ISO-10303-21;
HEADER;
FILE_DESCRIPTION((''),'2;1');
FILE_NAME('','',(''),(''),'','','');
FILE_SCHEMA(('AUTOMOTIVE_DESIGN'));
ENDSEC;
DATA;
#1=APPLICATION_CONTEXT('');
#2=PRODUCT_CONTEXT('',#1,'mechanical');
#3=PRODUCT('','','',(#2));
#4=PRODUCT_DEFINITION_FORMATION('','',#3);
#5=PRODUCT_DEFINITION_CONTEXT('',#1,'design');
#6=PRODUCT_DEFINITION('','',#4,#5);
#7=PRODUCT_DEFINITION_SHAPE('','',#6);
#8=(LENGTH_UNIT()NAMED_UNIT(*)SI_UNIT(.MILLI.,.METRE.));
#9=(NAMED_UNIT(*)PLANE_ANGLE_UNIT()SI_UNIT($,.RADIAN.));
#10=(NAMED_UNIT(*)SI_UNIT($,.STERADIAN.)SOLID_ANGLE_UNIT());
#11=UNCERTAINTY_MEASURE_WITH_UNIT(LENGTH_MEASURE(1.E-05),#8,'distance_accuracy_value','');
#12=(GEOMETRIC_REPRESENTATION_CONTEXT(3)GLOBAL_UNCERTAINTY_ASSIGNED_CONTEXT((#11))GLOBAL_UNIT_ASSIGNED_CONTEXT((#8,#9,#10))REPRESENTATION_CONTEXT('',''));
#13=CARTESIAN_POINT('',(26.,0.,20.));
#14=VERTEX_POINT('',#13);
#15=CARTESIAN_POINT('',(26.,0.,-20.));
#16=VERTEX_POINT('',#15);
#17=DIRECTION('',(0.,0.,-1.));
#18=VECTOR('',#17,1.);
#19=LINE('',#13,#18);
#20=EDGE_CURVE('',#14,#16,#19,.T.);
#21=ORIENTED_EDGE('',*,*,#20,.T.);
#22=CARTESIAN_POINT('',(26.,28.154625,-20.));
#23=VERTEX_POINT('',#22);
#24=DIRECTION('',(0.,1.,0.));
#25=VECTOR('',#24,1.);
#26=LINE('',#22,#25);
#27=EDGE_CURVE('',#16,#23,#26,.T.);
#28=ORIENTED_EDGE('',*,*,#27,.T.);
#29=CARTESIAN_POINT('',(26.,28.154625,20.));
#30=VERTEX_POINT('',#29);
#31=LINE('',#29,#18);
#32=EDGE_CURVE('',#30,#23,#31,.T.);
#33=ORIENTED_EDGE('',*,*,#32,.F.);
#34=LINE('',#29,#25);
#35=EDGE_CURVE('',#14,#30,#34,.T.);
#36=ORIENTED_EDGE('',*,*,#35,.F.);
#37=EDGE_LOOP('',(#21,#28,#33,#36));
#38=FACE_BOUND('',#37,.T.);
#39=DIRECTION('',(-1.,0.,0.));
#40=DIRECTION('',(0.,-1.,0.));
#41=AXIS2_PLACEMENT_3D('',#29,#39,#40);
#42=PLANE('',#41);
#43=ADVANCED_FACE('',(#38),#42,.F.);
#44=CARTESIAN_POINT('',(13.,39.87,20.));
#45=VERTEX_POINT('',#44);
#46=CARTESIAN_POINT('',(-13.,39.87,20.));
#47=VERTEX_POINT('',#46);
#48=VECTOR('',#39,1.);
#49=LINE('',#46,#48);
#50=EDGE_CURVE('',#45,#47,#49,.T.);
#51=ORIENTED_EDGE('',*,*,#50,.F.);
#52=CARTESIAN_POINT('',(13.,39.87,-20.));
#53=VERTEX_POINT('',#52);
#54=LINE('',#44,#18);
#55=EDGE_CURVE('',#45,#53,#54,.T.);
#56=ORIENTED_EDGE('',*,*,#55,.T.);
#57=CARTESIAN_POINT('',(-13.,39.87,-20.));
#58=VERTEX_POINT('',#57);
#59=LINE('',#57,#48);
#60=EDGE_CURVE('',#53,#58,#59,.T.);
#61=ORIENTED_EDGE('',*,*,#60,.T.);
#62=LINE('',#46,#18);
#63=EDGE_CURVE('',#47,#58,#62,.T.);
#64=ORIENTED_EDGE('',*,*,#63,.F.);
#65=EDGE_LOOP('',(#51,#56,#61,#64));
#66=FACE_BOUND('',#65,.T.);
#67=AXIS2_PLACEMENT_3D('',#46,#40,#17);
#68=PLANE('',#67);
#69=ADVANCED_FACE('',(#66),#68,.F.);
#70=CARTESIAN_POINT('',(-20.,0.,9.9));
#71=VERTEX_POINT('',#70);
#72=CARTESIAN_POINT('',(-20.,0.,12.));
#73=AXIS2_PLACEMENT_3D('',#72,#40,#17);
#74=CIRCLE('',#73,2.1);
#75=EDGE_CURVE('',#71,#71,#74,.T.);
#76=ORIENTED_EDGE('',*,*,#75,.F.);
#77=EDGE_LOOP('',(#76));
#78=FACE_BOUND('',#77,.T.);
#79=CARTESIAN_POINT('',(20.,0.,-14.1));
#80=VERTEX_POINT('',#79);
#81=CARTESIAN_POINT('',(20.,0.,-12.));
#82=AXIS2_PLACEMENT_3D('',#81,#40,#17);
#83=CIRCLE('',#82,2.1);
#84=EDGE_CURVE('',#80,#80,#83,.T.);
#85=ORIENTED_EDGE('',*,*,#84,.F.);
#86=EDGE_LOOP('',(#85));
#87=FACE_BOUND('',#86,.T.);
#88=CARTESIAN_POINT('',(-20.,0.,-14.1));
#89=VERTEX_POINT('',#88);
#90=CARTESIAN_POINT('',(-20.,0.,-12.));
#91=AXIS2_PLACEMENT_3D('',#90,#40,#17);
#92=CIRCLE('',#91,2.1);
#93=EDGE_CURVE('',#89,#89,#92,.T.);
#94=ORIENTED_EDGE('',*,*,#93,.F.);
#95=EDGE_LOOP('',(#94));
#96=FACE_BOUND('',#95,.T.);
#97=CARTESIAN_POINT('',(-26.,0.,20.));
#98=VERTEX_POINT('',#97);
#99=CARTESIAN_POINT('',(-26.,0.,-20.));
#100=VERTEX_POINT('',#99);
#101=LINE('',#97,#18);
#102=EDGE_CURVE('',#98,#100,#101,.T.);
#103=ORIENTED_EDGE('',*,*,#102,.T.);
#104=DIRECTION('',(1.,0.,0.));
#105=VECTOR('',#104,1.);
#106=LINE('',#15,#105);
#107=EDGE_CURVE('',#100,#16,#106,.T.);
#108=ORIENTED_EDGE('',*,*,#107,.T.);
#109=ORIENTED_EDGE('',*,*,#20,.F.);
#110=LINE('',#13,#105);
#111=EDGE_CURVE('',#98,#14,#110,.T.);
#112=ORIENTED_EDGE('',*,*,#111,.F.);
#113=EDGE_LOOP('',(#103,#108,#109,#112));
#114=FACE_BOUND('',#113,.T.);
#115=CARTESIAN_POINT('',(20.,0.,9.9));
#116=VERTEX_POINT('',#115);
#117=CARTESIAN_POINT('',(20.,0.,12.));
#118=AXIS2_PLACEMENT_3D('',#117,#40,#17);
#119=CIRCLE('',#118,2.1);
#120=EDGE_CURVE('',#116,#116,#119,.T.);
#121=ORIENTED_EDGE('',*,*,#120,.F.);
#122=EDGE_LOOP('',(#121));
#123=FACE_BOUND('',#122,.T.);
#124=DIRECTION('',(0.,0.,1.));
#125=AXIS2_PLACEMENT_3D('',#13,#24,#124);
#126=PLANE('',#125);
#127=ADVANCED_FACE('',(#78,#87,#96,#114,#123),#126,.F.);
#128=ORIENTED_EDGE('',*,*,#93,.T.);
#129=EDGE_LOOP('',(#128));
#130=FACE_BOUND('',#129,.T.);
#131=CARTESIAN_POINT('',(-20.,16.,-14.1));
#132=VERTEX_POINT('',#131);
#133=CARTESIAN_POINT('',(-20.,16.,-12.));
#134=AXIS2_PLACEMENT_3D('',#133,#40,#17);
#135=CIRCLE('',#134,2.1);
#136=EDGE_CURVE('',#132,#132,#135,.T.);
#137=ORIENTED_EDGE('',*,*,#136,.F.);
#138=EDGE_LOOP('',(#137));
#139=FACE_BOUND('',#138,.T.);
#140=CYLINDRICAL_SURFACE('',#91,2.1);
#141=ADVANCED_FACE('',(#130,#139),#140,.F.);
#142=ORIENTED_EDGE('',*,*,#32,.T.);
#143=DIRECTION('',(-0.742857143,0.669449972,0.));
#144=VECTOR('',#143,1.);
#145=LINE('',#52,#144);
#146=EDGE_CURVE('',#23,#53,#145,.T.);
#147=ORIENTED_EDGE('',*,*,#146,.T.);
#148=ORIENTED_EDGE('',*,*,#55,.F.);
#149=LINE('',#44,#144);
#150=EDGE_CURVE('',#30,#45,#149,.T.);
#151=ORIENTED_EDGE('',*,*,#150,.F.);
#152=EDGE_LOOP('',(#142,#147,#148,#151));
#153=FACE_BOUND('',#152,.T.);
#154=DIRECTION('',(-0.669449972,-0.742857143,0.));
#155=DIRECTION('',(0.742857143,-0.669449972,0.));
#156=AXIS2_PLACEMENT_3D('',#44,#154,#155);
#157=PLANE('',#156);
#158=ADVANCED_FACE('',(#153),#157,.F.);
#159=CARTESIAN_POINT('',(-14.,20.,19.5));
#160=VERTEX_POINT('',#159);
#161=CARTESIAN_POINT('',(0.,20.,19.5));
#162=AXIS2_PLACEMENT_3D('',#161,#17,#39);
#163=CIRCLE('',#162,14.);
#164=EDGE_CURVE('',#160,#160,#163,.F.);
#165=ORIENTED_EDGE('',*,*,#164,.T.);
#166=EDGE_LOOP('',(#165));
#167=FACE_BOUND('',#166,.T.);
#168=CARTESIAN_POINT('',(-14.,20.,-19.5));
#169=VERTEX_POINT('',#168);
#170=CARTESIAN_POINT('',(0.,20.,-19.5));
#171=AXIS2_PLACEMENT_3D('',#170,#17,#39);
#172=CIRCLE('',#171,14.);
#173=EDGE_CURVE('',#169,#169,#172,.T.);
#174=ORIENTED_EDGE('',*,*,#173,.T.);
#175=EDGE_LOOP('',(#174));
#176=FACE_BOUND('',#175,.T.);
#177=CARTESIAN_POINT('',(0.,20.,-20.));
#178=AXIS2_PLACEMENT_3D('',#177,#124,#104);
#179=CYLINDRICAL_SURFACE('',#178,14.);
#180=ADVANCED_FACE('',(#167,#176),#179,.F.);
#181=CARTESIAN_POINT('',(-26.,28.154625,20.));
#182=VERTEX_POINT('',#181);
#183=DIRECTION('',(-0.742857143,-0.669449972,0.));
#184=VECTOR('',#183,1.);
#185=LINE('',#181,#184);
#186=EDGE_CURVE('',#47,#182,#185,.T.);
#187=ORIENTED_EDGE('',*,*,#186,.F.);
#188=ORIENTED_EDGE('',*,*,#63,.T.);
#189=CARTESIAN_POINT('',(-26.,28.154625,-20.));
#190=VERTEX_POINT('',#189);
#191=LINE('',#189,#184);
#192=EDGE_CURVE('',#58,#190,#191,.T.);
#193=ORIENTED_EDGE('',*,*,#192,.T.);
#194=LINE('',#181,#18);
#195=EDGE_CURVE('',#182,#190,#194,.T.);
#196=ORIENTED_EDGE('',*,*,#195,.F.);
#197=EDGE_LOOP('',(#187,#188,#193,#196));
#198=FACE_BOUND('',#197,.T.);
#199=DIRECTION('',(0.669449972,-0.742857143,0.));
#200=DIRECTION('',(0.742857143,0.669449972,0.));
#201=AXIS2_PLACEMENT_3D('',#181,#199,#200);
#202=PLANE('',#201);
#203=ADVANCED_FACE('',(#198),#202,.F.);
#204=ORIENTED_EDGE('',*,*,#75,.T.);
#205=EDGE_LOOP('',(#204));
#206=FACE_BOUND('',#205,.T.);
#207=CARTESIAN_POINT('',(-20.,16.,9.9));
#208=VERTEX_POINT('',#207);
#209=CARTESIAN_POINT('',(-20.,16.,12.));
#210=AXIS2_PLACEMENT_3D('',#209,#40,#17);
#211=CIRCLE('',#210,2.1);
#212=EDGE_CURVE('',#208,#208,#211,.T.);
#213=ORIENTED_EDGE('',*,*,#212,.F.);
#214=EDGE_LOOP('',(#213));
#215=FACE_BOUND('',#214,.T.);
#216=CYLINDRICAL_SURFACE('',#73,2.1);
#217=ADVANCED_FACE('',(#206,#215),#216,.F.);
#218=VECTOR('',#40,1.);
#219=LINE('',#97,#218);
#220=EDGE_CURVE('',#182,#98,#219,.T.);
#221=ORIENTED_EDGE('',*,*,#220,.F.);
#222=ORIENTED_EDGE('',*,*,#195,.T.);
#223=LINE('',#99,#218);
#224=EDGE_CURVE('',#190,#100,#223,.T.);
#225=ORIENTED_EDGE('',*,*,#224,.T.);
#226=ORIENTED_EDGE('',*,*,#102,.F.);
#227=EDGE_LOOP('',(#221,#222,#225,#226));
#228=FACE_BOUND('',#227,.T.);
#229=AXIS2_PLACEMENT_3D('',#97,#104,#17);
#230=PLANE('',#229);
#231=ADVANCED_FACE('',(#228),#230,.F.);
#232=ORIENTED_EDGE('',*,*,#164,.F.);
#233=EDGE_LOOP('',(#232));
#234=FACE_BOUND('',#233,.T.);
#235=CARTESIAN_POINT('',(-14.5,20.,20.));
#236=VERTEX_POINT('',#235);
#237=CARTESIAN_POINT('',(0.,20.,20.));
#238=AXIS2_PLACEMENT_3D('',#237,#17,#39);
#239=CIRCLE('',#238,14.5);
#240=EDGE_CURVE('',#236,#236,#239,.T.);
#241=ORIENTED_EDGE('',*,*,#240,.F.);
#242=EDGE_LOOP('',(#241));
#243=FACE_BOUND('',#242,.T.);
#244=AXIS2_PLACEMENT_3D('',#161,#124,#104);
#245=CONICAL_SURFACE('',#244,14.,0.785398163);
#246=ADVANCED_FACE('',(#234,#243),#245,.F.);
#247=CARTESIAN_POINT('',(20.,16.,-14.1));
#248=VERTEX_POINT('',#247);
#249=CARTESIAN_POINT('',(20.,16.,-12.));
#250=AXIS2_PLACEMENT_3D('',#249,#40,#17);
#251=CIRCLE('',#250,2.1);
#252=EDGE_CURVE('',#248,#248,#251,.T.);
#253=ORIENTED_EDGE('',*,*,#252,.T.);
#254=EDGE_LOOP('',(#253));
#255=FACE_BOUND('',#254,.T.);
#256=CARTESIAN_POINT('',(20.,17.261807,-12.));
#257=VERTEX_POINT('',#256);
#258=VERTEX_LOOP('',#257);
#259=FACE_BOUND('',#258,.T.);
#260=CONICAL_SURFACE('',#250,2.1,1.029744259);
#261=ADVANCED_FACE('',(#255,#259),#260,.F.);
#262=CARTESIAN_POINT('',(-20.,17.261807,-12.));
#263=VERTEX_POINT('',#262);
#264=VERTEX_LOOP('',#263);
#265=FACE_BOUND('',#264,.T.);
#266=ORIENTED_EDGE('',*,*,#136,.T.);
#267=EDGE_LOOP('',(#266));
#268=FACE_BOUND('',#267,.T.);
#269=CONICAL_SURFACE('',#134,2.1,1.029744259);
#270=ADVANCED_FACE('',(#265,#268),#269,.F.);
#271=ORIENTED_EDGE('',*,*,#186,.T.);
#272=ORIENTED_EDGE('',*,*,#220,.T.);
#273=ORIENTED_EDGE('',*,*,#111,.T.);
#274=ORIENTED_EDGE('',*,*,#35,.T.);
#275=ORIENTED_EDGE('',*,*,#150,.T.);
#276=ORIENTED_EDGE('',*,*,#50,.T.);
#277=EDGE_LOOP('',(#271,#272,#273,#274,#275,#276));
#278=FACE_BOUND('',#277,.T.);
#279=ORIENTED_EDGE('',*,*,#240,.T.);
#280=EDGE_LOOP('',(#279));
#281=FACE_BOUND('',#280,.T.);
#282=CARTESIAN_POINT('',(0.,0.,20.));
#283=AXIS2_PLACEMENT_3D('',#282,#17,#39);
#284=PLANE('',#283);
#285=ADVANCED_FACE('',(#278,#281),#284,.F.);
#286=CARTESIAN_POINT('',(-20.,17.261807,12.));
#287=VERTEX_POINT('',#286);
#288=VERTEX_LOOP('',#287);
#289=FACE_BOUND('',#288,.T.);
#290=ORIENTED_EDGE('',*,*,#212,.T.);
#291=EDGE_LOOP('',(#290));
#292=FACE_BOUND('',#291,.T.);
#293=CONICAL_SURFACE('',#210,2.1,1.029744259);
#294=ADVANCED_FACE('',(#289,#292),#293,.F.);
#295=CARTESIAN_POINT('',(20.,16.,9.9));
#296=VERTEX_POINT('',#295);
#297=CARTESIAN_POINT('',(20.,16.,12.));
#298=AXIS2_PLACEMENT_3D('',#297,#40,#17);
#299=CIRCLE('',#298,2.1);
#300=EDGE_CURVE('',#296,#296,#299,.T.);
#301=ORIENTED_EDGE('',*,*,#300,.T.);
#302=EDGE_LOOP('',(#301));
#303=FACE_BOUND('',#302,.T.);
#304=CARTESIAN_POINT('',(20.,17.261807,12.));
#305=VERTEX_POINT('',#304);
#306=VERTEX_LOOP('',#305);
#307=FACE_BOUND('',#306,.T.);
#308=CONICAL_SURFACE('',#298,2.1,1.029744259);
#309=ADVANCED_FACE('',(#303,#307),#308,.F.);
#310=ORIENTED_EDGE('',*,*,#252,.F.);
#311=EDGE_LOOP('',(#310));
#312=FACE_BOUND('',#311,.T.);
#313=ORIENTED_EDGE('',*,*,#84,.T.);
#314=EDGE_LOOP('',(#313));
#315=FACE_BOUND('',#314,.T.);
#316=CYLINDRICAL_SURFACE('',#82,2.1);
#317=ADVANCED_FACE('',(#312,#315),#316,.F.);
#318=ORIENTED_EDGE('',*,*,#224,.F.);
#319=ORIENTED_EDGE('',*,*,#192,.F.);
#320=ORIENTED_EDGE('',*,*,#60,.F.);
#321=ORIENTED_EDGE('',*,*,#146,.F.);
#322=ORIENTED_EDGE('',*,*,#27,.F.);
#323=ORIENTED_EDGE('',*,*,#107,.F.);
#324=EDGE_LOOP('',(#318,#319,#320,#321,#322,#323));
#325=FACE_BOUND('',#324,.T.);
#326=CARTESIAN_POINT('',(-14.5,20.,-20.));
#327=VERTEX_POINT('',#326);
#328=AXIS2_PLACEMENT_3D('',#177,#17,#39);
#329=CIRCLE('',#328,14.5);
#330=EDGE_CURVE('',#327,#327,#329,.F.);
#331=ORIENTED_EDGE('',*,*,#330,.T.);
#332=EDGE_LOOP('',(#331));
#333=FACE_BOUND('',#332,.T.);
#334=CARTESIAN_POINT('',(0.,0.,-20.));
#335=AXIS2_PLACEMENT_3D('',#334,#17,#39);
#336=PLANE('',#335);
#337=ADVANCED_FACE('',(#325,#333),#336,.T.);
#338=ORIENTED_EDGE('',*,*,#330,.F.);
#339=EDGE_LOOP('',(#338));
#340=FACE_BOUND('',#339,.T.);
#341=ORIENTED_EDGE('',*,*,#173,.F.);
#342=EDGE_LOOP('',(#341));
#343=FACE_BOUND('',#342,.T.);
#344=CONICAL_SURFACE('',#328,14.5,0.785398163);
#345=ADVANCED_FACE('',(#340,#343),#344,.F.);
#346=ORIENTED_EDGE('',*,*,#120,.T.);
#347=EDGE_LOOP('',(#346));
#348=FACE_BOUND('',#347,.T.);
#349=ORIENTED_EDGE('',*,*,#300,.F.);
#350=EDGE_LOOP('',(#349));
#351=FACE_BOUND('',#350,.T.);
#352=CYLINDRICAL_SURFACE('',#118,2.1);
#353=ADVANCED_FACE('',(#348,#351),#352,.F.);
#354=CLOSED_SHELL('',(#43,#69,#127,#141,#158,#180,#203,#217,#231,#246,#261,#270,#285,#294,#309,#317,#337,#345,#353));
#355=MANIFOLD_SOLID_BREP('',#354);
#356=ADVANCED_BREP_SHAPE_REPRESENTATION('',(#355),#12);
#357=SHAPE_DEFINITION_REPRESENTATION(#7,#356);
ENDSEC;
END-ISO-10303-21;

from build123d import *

# Parameters (mm, degrees)
SALIENTE_EXTRUIR1_DEPTH       = 20
CROQUIS2_R                    = 14
CORTAR_EXTRUIR1_DEPTH         = 63.174085438
CHAFL_N1_SIZE                 = 0.5
TALADRO_ROSCADO_M5X0_81_D     = 4.2
TALADRO_ROSCADO_M5X0_81_DEPTH = 16
TALADRO_ROSCADO_M5X0_81_TIP   = 1.2618073


with BuildPart() as part:
    # Croquis1 → Saliente-Extruir1 (new, symmetric)
    with BuildSketch(Plane.XY):
        Polygon((26, 0), (-26, 0), (-26, 28.154625486), (-13, 39.87), (13, 39.87), (26, 28.154625486), align=None)
    extrude(amount=SALIENTE_EXTRUIR1_DEPTH, both=True)

    # Croquis2 → Cortar-Extruir1 (cut, through all)
    with BuildSketch(Plane.XY.offset(20)):
        with Locations((0, 20)):
            Circle(CROQUIS2_R)
    extrude(amount=-CORTAR_EXTRUIR1_DEPTH, mode=Mode.SUBTRACT)

    # Chaflán1
    chafl_n1_edges = [part.edges().sort_by_distance(p)[0] for p in [
        (-14, 20, -20),
        (-14, 20, 20),
    ]]
    chamfer(chafl_n1_edges, length=CHAFL_N1_SIZE)

    # Taladro roscado M5x0.81
    with Locations(Plane(origin=(0, 0, 0), x_dir=(-1, 0, 0), z_dir=(0, -1, 0))):
        with Locations((-20, -12), (20, -12), (20, 12), (-20, 12)):
            Hole(TALADRO_ROSCADO_M5X0_81_D / 2, depth=TALADRO_ROSCADO_M5X0_81_DEPTH)
            with Locations((0, 0, -(TALADRO_ROSCADO_M5X0_81_DEPTH + TALADRO_ROSCADO_M5X0_81_TIP / 2))):  # 118° drill point
                Cone(0, TALADRO_ROSCADO_M5X0_81_D / 2, TALADRO_ROSCADO_M5X0_81_TIP, mode=Mode.SUBTRACT)


solid = part.part
